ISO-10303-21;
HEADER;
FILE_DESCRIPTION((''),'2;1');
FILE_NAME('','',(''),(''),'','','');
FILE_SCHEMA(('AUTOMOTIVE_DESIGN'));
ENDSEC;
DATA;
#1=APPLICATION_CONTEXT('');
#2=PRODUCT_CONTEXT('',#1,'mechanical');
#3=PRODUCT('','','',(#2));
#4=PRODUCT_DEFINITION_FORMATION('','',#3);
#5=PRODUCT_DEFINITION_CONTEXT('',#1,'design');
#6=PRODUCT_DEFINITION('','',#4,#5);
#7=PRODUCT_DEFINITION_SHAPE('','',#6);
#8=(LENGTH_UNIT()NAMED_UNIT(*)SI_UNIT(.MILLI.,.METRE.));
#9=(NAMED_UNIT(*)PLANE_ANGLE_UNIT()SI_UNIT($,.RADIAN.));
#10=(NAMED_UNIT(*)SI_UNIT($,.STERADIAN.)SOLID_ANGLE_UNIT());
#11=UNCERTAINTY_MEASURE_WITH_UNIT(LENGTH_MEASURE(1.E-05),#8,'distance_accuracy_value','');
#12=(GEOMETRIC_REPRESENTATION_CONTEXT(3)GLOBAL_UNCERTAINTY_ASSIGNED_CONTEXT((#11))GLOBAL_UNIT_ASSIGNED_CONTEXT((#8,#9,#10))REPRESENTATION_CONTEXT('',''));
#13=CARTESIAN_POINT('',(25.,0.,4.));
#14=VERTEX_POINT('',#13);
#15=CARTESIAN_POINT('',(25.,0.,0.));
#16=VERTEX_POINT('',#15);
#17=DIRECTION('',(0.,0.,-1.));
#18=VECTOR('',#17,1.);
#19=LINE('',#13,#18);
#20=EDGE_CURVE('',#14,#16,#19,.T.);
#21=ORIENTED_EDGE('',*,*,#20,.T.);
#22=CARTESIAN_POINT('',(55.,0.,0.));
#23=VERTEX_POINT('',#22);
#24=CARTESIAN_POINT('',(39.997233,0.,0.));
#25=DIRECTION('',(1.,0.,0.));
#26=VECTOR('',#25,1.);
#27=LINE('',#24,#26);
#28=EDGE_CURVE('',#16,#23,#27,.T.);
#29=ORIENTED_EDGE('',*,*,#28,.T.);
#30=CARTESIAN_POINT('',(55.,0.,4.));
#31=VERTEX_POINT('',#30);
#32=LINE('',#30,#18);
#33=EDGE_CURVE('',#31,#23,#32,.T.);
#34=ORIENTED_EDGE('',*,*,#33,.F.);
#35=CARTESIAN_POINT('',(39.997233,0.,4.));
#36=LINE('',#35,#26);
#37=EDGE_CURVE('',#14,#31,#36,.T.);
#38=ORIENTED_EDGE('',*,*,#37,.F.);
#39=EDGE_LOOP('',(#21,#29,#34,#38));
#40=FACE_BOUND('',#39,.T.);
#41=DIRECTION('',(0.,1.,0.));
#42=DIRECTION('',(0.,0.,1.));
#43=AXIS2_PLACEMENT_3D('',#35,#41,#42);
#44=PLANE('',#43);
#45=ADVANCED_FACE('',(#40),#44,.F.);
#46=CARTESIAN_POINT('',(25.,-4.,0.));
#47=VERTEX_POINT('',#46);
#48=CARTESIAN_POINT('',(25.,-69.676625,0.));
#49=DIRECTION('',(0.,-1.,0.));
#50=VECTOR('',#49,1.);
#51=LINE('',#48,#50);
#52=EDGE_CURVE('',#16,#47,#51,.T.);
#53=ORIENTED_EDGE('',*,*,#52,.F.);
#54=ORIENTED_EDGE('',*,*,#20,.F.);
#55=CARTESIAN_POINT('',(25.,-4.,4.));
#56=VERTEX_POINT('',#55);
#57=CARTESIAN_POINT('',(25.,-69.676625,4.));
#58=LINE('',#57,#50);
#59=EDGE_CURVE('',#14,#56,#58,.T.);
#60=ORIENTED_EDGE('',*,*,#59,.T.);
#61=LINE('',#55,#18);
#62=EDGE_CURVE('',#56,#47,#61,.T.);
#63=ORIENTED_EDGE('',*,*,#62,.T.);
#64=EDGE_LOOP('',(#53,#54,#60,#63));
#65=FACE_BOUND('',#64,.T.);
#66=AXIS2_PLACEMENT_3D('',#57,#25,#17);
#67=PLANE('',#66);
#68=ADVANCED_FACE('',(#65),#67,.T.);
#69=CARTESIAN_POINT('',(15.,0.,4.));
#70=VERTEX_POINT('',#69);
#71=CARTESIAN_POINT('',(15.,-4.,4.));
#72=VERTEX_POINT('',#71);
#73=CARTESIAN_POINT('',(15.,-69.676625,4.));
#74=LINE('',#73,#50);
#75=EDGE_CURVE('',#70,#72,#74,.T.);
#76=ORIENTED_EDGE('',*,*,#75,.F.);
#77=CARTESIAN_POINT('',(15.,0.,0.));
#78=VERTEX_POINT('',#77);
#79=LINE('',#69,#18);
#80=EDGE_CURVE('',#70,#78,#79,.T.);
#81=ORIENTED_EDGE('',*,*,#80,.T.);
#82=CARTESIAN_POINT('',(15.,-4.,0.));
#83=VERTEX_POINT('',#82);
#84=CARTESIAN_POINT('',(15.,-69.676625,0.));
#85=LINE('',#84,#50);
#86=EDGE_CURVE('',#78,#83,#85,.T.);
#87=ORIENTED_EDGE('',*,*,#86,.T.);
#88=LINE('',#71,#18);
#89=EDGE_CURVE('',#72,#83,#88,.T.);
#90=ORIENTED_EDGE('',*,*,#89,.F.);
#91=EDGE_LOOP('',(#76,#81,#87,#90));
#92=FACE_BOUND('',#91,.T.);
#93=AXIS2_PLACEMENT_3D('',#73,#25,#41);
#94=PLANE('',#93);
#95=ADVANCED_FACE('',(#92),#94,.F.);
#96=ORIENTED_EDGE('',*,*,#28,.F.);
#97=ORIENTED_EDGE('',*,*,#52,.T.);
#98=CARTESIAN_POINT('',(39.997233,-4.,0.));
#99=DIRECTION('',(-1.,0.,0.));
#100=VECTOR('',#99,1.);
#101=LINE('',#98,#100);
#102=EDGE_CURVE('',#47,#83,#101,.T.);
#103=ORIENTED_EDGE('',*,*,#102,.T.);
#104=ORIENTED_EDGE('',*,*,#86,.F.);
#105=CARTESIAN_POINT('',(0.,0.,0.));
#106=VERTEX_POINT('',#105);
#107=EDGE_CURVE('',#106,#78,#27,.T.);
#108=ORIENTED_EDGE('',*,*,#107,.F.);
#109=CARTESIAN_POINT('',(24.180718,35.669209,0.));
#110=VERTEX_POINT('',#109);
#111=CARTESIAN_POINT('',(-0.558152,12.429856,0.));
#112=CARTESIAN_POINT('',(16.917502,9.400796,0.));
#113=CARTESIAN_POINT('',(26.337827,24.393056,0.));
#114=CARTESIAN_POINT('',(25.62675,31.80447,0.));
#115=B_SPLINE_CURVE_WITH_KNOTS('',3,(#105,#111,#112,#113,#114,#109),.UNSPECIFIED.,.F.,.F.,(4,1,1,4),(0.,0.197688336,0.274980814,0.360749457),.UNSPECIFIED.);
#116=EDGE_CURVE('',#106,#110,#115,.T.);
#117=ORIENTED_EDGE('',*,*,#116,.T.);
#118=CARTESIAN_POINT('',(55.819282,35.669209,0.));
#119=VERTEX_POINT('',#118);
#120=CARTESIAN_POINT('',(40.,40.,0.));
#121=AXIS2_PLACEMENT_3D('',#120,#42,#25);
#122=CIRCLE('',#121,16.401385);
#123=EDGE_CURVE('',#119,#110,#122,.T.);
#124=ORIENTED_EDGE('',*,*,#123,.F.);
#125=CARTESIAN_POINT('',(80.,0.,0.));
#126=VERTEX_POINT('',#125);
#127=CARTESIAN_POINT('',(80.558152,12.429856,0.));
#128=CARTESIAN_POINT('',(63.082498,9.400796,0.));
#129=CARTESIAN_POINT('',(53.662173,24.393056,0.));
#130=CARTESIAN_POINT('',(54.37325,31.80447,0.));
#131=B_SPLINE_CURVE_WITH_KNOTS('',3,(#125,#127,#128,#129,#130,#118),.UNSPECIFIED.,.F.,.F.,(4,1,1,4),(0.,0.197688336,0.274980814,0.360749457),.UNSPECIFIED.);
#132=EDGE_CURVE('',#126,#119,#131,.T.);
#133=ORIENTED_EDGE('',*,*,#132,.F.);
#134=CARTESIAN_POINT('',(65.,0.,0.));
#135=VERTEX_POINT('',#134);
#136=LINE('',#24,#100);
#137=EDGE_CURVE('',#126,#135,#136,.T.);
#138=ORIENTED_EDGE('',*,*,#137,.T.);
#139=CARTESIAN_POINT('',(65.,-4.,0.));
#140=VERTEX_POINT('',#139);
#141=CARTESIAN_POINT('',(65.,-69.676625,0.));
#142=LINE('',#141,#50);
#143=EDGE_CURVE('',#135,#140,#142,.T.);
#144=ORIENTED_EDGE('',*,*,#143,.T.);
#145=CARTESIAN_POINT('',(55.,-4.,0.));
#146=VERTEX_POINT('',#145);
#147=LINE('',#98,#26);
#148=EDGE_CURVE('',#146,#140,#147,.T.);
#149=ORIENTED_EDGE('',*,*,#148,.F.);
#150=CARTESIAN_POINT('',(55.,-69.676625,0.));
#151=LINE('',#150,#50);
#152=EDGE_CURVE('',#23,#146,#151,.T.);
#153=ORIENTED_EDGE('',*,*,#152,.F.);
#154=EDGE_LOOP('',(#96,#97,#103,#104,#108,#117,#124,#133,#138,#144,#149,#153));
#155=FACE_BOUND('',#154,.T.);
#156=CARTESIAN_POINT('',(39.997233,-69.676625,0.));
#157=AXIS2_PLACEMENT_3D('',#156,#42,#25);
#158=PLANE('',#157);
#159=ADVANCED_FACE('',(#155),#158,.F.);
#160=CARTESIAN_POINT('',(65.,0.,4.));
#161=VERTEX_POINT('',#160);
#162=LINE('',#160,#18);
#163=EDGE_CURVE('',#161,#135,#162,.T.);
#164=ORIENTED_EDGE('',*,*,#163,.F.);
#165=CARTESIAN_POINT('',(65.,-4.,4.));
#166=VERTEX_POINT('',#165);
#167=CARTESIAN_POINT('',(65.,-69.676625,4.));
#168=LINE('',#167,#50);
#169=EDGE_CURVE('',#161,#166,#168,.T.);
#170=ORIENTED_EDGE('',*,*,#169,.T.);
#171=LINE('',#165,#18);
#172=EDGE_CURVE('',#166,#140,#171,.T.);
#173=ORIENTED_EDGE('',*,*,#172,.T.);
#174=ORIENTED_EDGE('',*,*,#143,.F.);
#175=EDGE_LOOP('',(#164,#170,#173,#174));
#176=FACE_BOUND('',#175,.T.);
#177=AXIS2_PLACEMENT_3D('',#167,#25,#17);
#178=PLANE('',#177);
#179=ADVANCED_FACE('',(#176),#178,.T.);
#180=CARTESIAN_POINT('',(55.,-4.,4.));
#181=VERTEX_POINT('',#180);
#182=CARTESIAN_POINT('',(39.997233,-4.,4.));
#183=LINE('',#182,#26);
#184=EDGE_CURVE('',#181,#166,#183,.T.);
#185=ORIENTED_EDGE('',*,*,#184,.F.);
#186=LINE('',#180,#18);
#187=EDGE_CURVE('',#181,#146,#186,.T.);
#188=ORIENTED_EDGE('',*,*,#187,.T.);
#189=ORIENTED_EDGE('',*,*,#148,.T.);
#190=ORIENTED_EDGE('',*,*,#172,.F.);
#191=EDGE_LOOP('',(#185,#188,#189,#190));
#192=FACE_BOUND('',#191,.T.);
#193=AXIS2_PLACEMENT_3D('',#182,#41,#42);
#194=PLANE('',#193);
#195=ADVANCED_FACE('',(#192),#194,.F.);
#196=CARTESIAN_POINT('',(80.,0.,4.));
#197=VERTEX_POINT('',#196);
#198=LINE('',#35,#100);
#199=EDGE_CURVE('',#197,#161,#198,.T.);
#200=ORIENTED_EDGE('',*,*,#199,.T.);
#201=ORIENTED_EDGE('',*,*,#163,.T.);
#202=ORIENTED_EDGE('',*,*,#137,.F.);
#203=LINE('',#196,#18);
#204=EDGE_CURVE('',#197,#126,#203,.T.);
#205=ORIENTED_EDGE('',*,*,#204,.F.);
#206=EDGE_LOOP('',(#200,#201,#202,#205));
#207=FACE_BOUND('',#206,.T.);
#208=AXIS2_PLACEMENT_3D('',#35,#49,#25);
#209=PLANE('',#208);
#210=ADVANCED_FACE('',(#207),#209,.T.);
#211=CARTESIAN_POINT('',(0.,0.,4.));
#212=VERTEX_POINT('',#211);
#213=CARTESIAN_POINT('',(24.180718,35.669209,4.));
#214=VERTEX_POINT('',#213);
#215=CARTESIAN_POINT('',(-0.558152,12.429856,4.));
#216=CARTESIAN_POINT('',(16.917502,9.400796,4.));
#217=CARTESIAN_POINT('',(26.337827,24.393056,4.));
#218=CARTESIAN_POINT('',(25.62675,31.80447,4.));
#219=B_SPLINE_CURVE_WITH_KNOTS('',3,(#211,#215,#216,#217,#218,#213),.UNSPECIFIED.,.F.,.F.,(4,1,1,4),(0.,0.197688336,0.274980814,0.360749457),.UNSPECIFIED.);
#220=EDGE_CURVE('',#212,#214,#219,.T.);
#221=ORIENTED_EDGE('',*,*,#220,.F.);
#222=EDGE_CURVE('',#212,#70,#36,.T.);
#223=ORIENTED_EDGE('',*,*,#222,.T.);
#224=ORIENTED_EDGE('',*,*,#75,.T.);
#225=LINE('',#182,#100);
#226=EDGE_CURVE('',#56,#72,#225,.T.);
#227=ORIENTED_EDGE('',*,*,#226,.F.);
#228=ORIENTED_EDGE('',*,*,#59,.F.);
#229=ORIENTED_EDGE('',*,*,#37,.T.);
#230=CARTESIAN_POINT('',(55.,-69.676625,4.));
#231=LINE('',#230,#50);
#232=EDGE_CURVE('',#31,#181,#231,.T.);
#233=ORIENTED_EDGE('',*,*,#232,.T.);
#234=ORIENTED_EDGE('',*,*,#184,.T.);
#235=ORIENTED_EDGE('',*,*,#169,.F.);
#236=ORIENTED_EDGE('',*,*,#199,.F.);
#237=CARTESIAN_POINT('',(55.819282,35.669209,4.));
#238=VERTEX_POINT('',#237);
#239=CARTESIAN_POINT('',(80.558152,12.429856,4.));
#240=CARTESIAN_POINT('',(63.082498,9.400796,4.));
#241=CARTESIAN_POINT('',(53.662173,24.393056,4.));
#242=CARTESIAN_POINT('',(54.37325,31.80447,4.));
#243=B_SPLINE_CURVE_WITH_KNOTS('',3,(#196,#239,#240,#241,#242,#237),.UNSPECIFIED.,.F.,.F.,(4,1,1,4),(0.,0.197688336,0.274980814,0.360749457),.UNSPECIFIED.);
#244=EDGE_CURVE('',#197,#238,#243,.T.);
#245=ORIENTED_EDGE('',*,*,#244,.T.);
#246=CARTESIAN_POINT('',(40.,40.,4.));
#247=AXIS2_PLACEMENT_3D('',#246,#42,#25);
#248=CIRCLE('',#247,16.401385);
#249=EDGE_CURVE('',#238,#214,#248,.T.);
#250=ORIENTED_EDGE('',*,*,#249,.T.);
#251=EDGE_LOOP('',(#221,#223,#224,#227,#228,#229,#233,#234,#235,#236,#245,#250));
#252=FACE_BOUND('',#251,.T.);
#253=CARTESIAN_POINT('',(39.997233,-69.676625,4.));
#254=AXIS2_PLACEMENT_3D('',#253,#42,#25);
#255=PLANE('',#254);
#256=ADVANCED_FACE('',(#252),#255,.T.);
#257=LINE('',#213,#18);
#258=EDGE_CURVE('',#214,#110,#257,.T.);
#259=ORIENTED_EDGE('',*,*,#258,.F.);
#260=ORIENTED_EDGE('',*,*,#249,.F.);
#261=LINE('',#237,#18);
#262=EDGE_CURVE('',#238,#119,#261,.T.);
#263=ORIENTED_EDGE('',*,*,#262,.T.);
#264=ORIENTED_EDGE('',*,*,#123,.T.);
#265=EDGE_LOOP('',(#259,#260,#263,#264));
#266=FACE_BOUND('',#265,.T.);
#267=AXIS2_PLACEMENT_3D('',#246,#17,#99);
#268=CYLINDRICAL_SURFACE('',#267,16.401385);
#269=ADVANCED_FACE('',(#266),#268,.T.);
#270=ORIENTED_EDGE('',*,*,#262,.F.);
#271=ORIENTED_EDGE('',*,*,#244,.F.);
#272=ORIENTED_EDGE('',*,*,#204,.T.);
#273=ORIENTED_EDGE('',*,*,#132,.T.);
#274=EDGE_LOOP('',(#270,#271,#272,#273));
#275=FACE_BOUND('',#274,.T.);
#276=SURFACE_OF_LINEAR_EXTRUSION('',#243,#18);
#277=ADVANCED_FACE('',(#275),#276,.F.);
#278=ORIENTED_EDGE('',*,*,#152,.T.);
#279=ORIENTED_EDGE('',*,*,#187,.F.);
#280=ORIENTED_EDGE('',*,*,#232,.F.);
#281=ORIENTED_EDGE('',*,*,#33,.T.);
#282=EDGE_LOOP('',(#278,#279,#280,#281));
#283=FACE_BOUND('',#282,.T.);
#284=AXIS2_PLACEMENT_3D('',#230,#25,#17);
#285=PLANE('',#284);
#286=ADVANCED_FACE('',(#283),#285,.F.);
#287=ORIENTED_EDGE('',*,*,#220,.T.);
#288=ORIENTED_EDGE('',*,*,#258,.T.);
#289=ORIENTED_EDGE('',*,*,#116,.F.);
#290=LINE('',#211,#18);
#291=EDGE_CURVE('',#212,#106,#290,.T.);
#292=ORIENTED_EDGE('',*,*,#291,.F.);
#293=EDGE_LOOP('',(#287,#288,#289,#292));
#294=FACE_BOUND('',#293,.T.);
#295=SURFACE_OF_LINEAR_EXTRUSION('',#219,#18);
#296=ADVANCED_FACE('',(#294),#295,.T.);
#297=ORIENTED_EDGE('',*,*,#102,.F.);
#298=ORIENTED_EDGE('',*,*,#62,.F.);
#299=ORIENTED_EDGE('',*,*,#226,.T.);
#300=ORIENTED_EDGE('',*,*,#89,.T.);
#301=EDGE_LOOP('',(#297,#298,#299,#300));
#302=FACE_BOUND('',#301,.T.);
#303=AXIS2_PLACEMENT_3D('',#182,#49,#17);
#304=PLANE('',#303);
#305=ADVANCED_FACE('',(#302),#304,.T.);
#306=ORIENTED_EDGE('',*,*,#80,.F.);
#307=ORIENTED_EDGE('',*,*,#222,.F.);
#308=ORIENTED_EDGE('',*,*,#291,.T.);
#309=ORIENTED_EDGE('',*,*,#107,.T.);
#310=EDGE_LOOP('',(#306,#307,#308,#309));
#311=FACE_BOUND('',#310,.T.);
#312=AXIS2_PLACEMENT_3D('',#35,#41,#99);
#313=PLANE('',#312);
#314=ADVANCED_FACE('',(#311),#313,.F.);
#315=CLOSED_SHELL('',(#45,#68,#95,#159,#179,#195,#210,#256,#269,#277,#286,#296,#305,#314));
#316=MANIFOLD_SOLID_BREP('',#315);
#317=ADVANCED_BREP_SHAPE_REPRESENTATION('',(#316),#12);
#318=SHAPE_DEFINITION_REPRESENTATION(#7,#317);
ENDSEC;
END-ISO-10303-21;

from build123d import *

# Parameters (mm, degrees)
BOSS_EXTRUDE1_DEPTH = 4


with BuildPart() as part:
    # Sketch1 → Boss-Extrude1 (new body)
    with BuildSketch(Plane.XY):
        with BuildLine():
            ThreePointArc((55.819281992, 35.66920927), (53.03910268, 49.949232755), (40, 56.401385036))
            Line((40, 56.401385036), (40, 0))
            Line((40, 0), (55, 0))
            Line((55, 0), (55, -4))
            Line((55, -4), (65, -4))
            Line((65, -4), (65, 0))
            Line((65, 0), (80, 0))
            add(Edge.make_bspline(
                [(80, 0), (80.558151579, 12.429856436), (63.082498357, 9.400795532), (53.987736886, 23.874928316), (54.293563423, 30.674851608), (55.257577446, 33.982379076)],
                knots=[0, 0, 0, 0, 0.197688336, 0.274980814, 0.348282071, 0.348282071, 0.348282071, 0.348282071], degree=3))
            add(Edge.make_bspline(
                [(55.257577446, 33.982379076), (55.421541003, 34.544937251), (55.609085838, 35.107428191), (55.819281992, 35.66920927)],
                knots=[0.348282071, 0.348282071, 0.348282071, 0.348282071, 0.360749457, 0.360749457, 0.360749457, 0.360749457], degree=3))
        make_face()
        with BuildLine():
            add(Edge.make_bspline(
                [(0, 0), (-0.558151579, 12.429856436), (16.917501643, 9.400795532), (26.012263114, 23.874928316), (25.706436577, 30.674851608), (24.742422554, 33.982379076)],
                knots=[0, 0, 0, 0, 0.197688336, 0.274980814, 0.348282071, 0.348282071, 0.348282071, 0.348282071], degree=3))
            Line((0, 0), (15, 0))
            Line((15, 0), (15, -4))
            Line((15, -4), (25, -4))
            Line((25, -4), (25, 0))
            Line((25, 0), (40, 0))
            Line((40, 0), (40, 56.401385036))
            ThreePointArc((40, 56.401385036), (26.96089732, 49.949232755), (24.180718008, 35.66920927))
            add(Edge.make_bspline(
                [(24.742422554, 33.982379076), (24.578458997, 34.544937251), (24.390914162, 35.107428191), (24.180718008, 35.66920927)],
                knots=[0.348282071, 0.348282071, 0.348282071, 0.348282071, 0.360749457, 0.360749457, 0.360749457, 0.360749457], degree=3))
        make_face()
    extrude(amount=BOSS_EXTRUDE1_DEPTH)


solid = part.part
